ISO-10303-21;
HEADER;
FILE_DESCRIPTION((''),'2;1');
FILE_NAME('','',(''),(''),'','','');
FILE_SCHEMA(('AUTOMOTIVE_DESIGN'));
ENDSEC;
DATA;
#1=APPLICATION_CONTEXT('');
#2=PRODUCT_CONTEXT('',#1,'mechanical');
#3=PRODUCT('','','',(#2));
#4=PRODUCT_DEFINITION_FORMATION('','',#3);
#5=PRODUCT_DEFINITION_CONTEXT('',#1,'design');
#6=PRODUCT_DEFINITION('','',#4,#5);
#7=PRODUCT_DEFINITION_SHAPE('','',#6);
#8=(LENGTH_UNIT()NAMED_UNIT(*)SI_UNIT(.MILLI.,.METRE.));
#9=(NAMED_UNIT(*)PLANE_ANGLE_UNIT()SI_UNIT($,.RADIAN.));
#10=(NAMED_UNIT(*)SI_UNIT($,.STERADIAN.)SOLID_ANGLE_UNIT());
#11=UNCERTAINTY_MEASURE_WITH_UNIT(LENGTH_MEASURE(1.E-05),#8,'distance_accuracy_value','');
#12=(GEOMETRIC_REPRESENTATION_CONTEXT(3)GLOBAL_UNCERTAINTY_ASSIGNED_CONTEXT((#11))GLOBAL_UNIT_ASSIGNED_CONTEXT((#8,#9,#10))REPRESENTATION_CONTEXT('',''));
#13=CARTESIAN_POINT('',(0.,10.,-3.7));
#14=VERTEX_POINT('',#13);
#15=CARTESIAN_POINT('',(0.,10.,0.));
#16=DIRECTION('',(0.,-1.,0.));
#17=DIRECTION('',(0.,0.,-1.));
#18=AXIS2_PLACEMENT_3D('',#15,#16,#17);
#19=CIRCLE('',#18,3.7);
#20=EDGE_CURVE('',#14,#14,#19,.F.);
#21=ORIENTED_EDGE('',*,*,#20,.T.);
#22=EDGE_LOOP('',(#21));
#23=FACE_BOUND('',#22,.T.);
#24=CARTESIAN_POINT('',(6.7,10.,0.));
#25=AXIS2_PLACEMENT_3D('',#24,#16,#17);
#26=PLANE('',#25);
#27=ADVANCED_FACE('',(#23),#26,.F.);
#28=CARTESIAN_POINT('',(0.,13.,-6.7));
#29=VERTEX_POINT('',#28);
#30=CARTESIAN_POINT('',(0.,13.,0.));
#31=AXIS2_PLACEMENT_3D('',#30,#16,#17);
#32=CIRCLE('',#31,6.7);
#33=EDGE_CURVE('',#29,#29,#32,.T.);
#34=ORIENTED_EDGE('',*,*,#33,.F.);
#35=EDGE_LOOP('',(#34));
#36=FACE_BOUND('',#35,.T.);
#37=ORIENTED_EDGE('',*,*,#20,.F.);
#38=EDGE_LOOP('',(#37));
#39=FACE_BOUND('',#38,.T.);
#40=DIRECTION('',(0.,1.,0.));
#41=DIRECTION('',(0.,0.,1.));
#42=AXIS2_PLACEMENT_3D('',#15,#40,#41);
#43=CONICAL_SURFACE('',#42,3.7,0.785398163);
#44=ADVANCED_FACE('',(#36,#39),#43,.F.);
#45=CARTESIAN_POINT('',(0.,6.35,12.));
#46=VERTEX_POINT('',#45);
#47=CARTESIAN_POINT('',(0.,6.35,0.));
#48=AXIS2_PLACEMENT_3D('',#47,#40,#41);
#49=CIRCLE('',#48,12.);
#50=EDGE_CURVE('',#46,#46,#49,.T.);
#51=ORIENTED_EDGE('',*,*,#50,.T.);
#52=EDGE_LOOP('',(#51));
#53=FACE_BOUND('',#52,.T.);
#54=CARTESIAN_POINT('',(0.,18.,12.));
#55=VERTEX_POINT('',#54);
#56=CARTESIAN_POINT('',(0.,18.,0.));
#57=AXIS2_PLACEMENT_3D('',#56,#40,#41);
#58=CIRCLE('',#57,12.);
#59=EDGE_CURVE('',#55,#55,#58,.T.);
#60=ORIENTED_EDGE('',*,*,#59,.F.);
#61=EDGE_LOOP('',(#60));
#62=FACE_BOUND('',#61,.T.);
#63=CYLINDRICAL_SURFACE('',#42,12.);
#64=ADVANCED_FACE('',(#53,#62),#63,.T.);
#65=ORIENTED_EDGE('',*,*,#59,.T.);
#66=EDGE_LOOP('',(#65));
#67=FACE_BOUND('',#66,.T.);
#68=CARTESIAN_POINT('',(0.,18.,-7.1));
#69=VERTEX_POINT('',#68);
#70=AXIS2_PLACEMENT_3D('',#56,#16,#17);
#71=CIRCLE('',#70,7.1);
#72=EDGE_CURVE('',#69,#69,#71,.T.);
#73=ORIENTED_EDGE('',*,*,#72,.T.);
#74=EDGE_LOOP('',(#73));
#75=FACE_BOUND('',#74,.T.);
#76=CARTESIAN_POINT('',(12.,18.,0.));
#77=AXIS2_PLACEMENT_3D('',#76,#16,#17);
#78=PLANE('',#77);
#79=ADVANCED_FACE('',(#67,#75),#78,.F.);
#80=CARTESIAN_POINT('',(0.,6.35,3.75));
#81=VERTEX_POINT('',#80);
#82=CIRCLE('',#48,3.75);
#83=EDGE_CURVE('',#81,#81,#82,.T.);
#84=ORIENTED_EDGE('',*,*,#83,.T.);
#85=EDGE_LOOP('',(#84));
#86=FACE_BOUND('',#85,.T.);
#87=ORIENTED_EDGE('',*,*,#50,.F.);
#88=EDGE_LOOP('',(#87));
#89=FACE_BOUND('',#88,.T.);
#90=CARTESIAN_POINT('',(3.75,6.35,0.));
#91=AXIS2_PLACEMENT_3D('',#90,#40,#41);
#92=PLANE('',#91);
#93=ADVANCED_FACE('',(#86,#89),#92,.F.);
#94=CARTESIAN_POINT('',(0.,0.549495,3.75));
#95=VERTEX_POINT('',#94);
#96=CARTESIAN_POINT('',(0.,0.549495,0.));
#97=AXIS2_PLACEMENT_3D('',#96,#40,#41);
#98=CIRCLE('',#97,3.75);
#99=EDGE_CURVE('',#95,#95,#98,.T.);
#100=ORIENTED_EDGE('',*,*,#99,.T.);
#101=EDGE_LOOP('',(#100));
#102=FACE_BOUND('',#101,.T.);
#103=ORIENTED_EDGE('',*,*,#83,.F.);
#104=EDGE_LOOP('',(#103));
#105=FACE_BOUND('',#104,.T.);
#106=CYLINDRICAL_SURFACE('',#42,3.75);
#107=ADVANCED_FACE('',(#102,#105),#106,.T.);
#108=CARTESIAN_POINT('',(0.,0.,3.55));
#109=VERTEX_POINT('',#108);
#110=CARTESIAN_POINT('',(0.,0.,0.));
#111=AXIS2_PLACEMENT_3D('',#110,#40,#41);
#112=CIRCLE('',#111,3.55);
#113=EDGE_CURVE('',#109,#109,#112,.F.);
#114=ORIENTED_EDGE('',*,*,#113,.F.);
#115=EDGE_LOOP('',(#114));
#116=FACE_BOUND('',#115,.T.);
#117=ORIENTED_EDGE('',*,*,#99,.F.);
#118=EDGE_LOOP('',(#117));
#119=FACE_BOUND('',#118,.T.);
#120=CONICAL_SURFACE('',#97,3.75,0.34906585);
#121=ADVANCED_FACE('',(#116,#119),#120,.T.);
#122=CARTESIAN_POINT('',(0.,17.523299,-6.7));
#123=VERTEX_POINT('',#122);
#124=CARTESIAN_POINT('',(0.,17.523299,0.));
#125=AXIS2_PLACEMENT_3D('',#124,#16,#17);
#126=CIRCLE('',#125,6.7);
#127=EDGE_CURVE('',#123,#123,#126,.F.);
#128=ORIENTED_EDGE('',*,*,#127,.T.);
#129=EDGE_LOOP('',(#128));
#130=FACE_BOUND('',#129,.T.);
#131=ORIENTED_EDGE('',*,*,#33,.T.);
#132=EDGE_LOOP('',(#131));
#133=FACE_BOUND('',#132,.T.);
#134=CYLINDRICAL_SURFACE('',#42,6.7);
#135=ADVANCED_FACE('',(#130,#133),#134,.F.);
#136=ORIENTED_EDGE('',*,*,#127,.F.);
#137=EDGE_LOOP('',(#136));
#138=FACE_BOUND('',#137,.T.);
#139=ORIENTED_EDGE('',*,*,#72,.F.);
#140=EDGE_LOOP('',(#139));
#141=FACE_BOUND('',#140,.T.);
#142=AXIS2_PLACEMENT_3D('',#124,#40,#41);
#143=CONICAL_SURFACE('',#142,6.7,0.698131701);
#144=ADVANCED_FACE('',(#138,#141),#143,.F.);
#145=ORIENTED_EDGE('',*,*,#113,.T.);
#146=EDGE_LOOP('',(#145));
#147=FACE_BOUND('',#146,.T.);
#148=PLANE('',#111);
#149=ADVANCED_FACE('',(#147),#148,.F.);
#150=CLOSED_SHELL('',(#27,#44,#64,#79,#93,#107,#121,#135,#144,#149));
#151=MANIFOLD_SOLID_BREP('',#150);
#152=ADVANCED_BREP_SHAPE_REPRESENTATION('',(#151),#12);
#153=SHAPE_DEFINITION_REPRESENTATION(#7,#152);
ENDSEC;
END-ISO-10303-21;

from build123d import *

# Parameters (mm, degrees)
CHAMFER1_SIZE  = 3
CHAMFER2_SIZE  = 0.2
CHAMFER2_SIZE2 = 0.549495484
CHAMFER3_SIZE  = 0.4
CHAMFER3_SIZE2 = 0.476701437


with BuildPart() as part:
    # Sketch1 → Revolve1 (revolve)
    with BuildSketch(Plane.XY):
        Polygon((0, 0), (3.75, 0), (3.75, 6.35), (12, 6.35), (12, 18), (6.7, 18), (6.7, 10), (0, 10), align=None)
    revolve(axis=Axis((0, 10, 0), (0, -1, 0)))

    # Chamfer1
    chamfer1_edges = [part.edges().sort_by_distance(p)[0] for p in [
        (-6.7, 10, 0),
    ]]
    chamfer(chamfer1_edges, length=CHAMFER1_SIZE)

    # Chamfer2
    chamfer2_edges = [part.edges().sort_by_distance(p)[0] for p in [
        (-3.75, 0, 0),
    ]]
    chamfer2_side = [part.faces().sort_by_distance(p)[0] for p in [
        (0, 0, 0),
    ]]
    chamfer(chamfer2_edges, length=CHAMFER2_SIZE, length2=CHAMFER2_SIZE2, reference=chamfer2_side[0])

    # Chamfer3
    chamfer3_edges = [part.edges().sort_by_distance(p)[0] for p in [
        (-6.7, 18, 0),
    ]]
    chamfer3_side = [part.faces().sort_by_distance(p)[0] for p in [
        (-11.660588745, 18, 0),
    ]]
    chamfer(chamfer3_edges, length=CHAMFER3_SIZE, length2=CHAMFER3_SIZE2, reference=chamfer3_side[0])


solid = part.part
